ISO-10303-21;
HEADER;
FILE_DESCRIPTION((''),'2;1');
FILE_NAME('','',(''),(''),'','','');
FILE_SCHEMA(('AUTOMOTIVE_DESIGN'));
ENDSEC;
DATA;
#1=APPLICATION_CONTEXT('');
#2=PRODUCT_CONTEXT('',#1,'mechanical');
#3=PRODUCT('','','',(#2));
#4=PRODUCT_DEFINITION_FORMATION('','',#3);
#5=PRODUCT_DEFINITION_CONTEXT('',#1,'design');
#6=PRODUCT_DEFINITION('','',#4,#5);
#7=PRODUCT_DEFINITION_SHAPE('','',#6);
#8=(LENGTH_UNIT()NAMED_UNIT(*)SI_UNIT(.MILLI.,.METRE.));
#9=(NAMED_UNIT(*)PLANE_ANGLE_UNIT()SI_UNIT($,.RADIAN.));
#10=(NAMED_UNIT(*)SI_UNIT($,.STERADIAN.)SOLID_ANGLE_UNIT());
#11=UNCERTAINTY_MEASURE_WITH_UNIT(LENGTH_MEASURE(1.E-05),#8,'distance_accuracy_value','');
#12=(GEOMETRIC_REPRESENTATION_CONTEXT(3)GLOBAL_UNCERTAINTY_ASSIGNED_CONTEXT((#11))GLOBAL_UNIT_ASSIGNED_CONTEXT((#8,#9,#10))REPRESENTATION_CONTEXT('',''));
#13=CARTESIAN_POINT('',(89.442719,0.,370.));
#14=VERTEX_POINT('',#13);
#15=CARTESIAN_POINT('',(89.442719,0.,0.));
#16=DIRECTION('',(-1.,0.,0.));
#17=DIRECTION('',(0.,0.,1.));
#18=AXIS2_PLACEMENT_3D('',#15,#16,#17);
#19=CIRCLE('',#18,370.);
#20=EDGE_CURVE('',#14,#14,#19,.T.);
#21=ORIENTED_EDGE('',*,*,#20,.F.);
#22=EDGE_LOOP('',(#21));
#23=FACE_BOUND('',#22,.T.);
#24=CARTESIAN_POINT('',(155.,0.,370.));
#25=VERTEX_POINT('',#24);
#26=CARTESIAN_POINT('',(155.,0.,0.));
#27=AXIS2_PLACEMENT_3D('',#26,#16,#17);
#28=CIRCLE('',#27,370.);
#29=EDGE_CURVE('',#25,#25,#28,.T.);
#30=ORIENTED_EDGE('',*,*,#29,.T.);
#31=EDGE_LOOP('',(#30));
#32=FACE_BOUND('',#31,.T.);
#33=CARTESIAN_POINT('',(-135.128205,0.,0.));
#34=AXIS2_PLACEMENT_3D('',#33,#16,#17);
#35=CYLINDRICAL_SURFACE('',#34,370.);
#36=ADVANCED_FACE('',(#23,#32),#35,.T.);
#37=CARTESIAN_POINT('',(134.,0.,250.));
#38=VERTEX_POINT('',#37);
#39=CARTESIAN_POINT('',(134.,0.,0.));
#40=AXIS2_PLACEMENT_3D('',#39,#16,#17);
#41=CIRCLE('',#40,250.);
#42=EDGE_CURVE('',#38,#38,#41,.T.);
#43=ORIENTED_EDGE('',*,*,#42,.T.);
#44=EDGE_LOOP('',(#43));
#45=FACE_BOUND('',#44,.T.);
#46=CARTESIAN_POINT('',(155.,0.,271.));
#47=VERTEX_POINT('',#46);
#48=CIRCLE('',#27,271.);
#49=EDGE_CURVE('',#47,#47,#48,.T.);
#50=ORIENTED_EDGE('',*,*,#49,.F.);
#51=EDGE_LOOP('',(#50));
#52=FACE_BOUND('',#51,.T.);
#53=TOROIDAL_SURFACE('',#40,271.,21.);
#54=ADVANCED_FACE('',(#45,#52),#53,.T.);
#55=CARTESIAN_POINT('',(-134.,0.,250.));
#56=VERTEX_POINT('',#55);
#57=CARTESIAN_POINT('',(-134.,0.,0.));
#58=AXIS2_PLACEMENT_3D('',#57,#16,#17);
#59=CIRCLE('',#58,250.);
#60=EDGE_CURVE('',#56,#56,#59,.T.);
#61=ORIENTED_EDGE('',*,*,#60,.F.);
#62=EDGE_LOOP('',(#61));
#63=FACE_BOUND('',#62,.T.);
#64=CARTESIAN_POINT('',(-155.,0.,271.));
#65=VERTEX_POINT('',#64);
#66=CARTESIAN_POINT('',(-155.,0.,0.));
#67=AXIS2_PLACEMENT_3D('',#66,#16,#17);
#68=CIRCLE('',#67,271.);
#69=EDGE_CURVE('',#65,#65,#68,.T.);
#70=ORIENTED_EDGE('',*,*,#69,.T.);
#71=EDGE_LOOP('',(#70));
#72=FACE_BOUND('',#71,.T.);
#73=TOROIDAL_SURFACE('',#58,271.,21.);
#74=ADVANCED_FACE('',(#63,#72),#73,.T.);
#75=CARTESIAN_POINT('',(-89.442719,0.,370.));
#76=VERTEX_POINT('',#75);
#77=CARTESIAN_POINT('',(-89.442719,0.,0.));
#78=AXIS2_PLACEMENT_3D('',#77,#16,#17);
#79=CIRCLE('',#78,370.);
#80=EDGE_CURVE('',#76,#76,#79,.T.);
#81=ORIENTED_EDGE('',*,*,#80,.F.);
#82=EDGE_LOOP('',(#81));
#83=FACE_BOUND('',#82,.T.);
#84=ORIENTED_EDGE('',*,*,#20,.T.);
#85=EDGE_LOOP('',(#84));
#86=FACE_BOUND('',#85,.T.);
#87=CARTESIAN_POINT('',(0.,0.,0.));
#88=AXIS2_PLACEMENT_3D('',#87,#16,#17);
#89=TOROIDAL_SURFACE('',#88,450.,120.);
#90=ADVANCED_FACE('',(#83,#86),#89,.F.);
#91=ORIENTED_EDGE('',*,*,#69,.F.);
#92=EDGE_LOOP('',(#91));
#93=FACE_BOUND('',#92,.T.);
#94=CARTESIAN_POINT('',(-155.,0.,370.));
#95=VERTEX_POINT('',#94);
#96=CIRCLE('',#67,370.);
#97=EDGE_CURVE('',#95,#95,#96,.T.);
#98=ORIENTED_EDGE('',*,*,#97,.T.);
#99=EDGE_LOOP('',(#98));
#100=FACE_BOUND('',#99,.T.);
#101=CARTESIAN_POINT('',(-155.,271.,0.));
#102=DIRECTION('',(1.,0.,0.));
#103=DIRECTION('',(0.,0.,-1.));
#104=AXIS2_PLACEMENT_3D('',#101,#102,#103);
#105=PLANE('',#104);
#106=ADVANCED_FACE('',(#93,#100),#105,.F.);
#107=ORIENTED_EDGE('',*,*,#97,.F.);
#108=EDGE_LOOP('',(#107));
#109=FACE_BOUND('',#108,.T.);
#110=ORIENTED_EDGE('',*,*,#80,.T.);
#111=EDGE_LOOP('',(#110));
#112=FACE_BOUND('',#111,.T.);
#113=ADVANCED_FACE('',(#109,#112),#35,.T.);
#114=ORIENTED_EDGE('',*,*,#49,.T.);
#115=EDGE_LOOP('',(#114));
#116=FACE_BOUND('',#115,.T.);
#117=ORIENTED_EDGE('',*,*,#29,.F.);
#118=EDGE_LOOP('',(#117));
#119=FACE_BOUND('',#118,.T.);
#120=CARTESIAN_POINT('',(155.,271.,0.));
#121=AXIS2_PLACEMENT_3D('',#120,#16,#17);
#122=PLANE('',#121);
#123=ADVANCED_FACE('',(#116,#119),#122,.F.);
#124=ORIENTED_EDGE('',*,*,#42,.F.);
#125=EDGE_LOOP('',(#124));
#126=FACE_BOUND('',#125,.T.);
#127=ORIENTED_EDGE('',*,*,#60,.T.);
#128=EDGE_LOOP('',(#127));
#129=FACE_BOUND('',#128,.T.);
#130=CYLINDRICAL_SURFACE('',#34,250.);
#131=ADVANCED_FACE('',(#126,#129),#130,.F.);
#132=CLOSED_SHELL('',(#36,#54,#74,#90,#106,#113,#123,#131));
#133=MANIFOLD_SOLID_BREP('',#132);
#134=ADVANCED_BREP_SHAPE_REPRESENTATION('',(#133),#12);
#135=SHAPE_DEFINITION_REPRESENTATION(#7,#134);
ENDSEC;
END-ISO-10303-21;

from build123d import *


with BuildPart() as part:
    # Sketch1 → Revolve1 (revolve)
    with BuildSketch(Plane.XY, mode=Mode.PRIVATE) as revolve1_sk:
        with BuildLine():
            Line((134, 250), (-134, 250))
            ThreePointArc((-134, 250), (-148.849242405, 256.150757595), (-155, 271))
            Line((-155, 271), (-155, 370))
            Line((-155, 370), (-89.4427191, 370))
            ThreePointArc((-89.4427191, 370), (0, 330), (89.4427191, 370))
            Line((89.4427191, 370), (155, 370))
            Line((155, 370), (155, 271))
            ThreePointArc((155, 271), (148.849242405, 256.150757595), (134, 250))
        make_face()
    revolve(revolve1_sk.sketch.rotate(Axis((-135.128205128, 0, 0), (1, 0, 0)), 90), axis=Axis((-135.128205128, 0, 0), (1, 0, 0)))


solid = part.part
